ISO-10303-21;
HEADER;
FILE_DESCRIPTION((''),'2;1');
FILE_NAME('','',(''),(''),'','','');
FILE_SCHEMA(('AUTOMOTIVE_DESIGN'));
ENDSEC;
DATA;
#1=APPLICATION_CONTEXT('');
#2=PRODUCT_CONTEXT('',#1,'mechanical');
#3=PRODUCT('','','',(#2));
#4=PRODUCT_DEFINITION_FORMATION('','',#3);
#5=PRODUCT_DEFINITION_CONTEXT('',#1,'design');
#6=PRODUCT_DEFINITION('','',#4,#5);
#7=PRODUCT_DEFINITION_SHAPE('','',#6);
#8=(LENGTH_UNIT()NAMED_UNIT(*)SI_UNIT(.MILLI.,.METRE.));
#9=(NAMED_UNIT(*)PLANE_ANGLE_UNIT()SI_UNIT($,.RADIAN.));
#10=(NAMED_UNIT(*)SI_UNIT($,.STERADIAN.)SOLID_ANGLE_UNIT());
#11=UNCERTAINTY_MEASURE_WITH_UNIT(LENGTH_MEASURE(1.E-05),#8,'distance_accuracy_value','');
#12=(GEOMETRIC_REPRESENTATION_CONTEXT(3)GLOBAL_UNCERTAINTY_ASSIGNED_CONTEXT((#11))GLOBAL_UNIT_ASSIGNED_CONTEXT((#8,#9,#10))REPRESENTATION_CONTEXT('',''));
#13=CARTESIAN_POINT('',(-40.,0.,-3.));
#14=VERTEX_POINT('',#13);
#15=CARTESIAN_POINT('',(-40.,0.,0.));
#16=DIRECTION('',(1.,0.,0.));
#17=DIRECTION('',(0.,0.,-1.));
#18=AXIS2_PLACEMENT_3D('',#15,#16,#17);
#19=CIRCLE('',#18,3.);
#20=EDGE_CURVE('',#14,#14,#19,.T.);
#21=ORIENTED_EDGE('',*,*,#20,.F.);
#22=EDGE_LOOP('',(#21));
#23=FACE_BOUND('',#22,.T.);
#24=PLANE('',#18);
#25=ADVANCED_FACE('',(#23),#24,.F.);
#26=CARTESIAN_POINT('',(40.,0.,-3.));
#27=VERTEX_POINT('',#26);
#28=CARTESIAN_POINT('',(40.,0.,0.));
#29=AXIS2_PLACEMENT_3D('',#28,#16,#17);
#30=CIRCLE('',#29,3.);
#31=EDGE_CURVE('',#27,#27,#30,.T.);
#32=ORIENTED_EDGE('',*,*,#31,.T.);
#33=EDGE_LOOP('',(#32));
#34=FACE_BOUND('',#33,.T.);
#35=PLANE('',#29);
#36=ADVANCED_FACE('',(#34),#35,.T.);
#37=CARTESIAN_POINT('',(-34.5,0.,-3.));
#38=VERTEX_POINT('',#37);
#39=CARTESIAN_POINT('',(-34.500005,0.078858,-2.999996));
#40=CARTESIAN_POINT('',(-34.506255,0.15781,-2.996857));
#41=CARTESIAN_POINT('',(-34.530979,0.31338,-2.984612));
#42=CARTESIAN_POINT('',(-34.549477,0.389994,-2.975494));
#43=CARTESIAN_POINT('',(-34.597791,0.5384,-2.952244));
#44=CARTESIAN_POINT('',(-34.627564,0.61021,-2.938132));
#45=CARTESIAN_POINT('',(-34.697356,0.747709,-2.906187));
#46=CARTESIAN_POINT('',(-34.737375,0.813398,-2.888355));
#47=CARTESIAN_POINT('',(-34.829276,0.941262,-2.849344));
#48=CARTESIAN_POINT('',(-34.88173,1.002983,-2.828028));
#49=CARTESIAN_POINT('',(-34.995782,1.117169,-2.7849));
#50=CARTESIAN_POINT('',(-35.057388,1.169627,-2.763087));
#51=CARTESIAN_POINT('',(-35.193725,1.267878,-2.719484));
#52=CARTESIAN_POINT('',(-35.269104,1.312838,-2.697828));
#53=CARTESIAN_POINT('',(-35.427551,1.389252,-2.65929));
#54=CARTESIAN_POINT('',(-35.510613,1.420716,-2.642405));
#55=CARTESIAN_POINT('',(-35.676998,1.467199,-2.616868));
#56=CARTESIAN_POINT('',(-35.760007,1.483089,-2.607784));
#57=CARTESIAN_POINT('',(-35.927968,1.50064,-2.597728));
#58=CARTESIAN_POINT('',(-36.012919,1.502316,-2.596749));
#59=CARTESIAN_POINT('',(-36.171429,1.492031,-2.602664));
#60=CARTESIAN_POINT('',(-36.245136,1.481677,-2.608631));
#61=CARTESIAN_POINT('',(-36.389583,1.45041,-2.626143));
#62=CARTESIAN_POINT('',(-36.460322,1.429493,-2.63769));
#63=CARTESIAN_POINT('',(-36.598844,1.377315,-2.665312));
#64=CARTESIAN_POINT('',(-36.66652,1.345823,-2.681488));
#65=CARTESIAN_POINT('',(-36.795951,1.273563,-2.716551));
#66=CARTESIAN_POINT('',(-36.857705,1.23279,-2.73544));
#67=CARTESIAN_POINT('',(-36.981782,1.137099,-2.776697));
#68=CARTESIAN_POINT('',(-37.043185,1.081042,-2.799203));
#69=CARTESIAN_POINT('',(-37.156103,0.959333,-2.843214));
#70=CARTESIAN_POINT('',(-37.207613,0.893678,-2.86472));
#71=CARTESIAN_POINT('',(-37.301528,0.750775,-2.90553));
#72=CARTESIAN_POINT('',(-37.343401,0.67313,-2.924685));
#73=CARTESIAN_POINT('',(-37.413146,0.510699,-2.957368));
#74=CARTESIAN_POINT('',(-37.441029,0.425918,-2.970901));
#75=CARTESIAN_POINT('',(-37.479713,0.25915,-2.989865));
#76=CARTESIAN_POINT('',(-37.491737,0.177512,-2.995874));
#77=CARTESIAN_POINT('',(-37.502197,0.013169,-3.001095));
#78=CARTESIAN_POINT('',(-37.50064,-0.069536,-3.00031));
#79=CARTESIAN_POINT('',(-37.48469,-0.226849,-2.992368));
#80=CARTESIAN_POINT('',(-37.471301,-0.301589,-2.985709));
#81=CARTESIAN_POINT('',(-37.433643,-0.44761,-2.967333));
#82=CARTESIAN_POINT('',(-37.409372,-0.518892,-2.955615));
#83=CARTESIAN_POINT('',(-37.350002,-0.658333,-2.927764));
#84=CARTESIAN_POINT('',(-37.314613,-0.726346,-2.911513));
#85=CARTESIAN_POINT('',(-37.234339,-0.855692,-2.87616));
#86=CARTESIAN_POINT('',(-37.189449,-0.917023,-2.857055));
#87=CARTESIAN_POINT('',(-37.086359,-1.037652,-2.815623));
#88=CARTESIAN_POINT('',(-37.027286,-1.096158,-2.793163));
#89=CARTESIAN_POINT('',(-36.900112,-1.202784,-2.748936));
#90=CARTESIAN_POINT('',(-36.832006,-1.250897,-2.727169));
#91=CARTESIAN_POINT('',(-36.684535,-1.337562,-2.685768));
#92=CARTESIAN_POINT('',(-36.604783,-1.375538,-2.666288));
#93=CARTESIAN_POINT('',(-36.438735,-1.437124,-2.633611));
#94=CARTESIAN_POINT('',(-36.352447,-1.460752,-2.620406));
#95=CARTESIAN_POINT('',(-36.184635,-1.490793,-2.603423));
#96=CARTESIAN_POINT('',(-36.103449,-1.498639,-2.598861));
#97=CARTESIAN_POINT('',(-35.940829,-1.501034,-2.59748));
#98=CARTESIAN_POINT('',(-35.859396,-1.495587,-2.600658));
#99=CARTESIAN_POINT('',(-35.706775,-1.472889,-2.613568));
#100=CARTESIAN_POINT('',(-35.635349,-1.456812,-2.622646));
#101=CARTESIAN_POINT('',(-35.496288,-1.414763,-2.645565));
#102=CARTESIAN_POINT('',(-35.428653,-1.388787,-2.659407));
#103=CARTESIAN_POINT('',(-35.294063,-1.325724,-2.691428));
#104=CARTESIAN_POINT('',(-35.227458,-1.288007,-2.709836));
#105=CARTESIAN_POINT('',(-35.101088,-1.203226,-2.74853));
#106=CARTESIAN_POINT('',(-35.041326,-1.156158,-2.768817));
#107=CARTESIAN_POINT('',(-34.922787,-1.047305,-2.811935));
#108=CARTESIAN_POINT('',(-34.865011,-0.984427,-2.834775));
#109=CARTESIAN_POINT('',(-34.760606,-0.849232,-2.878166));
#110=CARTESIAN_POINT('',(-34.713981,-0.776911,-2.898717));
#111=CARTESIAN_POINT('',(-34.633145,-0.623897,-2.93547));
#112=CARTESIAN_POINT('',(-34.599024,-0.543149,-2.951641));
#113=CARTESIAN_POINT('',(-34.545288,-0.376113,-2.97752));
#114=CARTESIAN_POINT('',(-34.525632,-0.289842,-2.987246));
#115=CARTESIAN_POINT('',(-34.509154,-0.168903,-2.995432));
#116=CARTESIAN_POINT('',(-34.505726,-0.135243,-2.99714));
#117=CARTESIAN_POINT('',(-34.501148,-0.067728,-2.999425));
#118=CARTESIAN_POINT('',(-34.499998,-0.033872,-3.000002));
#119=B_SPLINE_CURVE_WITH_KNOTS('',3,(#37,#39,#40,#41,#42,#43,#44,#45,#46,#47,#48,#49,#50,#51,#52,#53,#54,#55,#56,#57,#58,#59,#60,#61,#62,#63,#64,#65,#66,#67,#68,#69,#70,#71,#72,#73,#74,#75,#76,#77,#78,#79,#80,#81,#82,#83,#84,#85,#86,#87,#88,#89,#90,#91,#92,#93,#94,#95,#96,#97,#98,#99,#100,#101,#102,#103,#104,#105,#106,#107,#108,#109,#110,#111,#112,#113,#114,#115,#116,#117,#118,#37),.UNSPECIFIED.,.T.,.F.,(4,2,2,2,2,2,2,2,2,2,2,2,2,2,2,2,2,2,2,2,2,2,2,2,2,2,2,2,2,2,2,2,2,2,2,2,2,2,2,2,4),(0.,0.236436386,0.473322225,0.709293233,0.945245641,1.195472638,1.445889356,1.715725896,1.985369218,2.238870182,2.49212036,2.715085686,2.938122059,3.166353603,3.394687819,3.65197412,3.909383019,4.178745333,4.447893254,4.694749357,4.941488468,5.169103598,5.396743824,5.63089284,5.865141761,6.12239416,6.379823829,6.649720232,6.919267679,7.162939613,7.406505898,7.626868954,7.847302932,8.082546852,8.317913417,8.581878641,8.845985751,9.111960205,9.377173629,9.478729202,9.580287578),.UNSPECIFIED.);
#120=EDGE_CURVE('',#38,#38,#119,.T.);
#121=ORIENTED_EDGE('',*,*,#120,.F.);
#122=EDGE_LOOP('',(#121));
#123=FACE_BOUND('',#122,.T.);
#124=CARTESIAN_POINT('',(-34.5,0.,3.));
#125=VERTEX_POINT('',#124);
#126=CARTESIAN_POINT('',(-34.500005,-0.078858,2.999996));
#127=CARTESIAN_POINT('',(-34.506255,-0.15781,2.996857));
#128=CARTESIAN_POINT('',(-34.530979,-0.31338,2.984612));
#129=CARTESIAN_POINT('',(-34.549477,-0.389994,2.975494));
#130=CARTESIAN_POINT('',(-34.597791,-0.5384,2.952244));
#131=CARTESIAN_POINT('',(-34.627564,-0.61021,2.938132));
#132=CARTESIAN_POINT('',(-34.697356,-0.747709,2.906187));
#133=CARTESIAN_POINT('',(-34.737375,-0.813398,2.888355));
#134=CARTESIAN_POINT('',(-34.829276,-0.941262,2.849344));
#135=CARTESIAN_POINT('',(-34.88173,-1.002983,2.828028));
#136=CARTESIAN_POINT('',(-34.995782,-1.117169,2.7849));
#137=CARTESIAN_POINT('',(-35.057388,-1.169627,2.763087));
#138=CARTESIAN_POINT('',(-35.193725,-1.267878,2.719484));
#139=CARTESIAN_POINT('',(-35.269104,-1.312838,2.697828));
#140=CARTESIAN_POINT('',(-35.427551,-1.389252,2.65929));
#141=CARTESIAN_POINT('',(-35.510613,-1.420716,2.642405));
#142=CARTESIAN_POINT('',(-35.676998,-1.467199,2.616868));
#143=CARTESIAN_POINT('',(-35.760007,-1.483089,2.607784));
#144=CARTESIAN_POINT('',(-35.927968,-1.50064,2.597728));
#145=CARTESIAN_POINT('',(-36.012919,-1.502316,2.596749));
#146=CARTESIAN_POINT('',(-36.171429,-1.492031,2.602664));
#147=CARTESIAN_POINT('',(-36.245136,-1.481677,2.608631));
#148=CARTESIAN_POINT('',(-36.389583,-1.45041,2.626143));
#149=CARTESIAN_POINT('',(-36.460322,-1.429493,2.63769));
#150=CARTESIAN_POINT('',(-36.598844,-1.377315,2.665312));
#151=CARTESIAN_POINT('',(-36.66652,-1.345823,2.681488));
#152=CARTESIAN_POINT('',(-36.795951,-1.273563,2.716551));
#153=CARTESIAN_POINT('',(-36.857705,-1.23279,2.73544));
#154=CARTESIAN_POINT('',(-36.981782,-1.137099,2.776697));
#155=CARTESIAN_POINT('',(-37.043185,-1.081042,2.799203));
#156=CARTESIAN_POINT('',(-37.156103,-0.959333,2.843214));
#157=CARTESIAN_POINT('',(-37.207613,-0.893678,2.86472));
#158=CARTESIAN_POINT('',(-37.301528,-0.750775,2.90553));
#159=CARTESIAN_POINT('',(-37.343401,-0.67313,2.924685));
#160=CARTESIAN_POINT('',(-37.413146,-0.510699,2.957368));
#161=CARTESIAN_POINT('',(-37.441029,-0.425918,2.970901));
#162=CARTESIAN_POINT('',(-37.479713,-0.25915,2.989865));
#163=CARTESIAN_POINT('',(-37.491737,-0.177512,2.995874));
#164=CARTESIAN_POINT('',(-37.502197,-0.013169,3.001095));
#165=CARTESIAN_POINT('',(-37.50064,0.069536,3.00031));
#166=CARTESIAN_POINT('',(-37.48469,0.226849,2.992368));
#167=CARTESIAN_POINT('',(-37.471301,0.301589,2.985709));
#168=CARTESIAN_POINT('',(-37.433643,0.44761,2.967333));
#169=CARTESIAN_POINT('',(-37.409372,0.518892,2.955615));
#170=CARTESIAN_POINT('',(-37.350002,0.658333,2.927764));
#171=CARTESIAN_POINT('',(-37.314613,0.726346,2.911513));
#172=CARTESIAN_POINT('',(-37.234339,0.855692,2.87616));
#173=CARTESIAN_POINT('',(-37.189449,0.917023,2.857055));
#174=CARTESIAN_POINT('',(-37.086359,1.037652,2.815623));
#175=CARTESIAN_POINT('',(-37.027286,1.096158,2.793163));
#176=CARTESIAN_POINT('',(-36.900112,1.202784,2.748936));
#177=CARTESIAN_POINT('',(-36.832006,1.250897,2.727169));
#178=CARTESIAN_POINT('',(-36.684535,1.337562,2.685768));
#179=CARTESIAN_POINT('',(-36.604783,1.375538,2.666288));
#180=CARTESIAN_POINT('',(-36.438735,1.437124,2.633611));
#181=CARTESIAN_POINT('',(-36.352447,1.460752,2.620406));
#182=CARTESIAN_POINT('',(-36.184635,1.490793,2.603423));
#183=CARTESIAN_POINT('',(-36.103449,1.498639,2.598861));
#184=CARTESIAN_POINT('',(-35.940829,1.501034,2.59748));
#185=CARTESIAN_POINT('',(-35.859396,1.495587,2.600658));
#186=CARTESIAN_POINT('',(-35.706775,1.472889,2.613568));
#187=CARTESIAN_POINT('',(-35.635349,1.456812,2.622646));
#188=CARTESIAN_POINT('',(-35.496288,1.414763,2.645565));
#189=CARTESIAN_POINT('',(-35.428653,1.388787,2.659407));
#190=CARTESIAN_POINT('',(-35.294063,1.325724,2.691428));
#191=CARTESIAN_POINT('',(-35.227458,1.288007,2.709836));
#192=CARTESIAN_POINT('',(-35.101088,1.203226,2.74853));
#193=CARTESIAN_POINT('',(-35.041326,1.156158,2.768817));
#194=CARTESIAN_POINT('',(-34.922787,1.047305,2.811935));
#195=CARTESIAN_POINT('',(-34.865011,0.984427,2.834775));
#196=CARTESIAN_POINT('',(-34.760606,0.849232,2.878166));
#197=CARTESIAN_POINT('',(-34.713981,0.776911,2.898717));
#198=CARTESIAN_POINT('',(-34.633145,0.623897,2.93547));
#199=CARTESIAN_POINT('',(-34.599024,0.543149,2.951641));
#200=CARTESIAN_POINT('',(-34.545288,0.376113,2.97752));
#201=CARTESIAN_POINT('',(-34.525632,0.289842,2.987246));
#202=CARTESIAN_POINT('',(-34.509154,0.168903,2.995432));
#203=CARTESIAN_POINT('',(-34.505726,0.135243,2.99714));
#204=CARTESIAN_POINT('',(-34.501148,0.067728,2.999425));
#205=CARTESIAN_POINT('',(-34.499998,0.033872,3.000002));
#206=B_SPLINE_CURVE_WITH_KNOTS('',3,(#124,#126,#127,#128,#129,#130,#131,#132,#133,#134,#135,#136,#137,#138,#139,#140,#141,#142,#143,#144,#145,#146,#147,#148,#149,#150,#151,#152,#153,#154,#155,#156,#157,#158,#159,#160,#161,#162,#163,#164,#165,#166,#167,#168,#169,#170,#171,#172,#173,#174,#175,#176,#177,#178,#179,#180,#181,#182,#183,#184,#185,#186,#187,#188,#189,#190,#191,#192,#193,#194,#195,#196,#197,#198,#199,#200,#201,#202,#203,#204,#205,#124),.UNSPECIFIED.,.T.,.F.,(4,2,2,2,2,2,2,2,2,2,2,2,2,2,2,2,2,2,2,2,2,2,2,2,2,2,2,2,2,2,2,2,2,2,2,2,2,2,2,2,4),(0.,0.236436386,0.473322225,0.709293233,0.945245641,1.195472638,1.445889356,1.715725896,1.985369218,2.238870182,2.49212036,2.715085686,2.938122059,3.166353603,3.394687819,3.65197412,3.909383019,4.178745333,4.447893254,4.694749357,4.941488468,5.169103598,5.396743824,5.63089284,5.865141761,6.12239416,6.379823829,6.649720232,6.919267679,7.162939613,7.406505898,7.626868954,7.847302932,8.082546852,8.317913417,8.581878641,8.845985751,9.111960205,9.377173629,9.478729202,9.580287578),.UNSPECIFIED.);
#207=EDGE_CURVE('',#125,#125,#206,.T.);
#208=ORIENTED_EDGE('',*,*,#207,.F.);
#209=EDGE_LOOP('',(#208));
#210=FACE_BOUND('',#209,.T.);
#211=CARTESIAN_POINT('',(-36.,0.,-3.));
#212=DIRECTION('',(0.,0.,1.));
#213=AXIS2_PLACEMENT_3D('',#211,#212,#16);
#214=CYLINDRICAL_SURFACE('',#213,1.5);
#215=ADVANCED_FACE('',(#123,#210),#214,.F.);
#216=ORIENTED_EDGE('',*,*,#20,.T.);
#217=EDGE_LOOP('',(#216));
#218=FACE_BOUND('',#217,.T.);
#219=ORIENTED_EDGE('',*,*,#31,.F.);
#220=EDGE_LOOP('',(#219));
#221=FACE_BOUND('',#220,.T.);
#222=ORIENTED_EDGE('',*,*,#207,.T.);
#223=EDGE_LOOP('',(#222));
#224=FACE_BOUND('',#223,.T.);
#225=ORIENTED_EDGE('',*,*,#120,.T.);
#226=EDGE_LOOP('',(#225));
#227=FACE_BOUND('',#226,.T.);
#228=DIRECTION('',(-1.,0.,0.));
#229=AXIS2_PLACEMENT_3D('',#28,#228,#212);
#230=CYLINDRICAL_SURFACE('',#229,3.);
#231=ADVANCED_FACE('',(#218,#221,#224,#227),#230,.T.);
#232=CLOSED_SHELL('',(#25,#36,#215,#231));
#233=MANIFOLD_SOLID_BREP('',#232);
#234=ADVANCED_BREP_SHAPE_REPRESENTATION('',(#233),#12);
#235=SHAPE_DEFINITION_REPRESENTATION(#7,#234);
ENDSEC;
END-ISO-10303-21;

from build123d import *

# Parameters (mm, degrees)
SKETCH_1_R               = 3
EXTRUDE_1_DEPTH          = 40
SKETCH_2_R               = 1.5
CUT_EXTRUDE_1_DEPTH      = 4
CUT_EXTRUDE_1_DEPTH_BACK = 4


with BuildPart() as part:
    # 草圖1 → 填料-伸長1 (new body, symmetric)
    with BuildSketch(Plane(origin=(0, 0, 0), x_dir=(0, 0, -1), z_dir=(1, 0, 0))):
        Circle(SKETCH_1_R)
    extrude(amount=EXTRUDE_1_DEPTH, both=True)

    # 草圖2 → 除料-伸長1 (cut, two sides)
    with BuildSketch(Plane.XY) as cut_extrude_1_sk:
        with Locations((-36, 0)):
            Circle(SKETCH_2_R)
    extrude(amount=CUT_EXTRUDE_1_DEPTH, mode=Mode.SUBTRACT)
    extrude(cut_extrude_1_sk.sketch, amount=-CUT_EXTRUDE_1_DEPTH_BACK, mode=Mode.SUBTRACT)


solid = part.part
